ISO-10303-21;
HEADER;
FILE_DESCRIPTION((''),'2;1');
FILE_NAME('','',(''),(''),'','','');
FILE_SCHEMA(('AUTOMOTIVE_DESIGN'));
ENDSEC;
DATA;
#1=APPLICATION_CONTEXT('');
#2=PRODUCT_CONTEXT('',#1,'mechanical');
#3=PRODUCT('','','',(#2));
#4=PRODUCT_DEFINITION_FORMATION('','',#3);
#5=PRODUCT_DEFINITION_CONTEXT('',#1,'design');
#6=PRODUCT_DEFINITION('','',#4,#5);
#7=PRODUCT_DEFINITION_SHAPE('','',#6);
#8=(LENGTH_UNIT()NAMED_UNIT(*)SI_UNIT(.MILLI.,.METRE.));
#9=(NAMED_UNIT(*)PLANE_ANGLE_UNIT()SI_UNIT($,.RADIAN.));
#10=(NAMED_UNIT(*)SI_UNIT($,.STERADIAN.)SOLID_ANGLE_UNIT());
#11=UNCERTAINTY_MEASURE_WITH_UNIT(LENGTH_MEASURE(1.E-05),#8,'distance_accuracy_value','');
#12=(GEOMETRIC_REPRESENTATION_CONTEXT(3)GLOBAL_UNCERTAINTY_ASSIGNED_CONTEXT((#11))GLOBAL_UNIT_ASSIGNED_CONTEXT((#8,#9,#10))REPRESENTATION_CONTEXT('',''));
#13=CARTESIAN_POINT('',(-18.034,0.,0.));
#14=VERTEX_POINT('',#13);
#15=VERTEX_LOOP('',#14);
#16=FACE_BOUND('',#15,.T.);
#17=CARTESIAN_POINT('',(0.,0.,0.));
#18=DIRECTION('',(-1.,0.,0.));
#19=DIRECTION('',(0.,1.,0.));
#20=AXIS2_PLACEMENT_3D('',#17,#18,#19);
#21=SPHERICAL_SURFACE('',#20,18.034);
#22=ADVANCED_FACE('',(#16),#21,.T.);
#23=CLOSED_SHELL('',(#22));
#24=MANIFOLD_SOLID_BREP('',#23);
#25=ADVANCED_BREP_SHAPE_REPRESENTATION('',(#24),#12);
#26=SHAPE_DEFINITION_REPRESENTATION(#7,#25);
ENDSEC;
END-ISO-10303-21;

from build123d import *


with BuildPart() as part:
    # Sketch1 → Revolve1 (revolve)
    with BuildSketch(Plane.XY):
        with BuildLine():
            Line((18.034, 0), (-18.034, 0))
            ThreePointArc((-18.034, 0), (0, -18.034), (18.034, 0))
        make_face()
    revolve(axis=Axis((-31.487292341, 0, 0), (1, 0, 0)))


solid = part.part
